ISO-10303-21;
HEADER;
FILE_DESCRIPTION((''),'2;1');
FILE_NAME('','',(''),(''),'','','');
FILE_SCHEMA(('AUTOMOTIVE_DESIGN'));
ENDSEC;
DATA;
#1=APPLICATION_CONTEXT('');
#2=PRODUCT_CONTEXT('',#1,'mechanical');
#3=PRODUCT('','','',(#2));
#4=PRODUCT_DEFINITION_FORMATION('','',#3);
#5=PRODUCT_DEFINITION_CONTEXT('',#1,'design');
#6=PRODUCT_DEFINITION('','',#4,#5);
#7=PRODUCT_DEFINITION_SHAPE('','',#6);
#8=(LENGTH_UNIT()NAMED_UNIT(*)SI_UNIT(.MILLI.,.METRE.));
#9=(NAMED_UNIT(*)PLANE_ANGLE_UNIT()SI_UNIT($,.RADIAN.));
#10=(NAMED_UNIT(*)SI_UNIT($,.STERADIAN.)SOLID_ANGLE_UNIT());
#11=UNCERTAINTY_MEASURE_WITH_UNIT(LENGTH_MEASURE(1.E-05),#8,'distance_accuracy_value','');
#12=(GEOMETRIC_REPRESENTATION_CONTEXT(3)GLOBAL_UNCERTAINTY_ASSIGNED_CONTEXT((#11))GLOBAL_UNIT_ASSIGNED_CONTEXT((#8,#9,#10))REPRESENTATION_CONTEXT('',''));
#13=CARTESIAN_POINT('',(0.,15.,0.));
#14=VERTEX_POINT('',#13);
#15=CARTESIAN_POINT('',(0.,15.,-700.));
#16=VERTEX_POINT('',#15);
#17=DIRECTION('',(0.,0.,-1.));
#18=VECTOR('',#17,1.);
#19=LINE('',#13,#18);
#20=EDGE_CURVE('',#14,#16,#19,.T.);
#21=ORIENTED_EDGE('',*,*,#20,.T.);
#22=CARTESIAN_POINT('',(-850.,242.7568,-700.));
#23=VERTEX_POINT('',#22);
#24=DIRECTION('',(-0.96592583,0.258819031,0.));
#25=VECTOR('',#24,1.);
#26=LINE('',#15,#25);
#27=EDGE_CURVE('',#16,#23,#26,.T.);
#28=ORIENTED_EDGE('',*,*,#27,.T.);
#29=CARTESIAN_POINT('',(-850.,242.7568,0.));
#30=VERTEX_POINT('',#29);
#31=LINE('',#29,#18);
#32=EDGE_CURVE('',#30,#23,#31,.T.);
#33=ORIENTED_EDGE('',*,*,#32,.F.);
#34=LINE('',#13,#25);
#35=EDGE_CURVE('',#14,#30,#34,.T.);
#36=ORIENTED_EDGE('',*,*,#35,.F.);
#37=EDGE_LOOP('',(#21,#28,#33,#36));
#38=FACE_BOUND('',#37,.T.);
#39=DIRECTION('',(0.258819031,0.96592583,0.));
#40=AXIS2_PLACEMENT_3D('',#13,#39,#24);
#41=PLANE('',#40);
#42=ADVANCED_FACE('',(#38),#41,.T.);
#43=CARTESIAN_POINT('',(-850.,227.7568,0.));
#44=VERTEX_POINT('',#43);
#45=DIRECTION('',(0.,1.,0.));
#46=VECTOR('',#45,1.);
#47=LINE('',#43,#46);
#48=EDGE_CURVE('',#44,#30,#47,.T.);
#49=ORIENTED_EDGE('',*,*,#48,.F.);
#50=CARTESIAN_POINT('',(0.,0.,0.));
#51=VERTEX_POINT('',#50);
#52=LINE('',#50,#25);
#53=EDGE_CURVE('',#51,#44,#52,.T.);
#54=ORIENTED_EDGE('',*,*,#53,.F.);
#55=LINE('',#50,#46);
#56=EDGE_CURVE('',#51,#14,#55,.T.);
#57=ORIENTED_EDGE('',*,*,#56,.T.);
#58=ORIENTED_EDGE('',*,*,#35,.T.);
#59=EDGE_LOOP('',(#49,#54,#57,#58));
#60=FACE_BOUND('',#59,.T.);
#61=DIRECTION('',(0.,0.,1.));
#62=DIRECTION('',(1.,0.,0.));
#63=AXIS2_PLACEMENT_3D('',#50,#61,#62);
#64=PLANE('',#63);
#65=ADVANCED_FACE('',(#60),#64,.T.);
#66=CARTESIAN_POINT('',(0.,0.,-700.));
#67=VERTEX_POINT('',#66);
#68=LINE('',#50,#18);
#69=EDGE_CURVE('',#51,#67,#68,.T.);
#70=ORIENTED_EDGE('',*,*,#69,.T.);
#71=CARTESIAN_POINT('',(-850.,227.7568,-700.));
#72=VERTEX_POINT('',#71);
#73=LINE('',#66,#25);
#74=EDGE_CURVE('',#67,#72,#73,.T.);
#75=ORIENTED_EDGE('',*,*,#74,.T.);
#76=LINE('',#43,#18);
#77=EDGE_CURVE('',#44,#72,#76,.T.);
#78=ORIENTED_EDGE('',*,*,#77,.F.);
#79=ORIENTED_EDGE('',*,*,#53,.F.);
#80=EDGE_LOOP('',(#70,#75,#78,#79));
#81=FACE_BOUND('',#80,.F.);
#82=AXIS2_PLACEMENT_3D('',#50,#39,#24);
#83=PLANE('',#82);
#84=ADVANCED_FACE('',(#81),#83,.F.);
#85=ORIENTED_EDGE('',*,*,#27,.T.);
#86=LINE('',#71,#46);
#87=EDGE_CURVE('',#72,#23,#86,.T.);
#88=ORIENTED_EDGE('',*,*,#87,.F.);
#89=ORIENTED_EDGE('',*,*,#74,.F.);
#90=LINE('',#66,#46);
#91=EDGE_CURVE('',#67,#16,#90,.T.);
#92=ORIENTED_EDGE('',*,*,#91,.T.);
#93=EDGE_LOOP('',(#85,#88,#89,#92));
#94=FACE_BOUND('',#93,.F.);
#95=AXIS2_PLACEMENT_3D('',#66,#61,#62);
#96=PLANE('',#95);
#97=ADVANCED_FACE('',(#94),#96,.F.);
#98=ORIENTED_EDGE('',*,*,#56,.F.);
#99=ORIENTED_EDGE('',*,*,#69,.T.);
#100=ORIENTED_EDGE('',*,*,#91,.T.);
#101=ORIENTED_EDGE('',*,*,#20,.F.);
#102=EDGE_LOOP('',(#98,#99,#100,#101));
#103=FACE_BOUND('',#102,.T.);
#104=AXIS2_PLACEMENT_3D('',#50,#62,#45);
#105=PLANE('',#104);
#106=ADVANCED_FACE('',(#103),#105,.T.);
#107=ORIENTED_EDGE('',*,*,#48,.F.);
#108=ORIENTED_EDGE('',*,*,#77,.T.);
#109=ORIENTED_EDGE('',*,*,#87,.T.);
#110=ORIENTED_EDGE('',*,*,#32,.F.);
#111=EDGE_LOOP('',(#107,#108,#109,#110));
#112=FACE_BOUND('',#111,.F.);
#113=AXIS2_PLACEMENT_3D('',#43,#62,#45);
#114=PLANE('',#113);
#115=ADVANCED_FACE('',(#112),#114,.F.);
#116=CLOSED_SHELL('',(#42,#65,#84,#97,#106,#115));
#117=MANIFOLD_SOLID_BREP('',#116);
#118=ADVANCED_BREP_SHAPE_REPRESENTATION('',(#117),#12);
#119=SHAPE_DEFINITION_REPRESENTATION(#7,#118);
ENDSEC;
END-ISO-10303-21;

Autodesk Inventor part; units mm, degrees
ref_plane "YZ Plane" through (0, 0, 0) normal (1, 0, 0) x (0, 1, 0)
ref_plane "XZ Plane" through (0, 0, 0) normal (0, 1, 0) x (-1, 0, 0)
ref_plane "XY Plane" through (0, 0, 0) normal (0, 0, 1) x (1, 0, 0)
sketch "스케치1" plane through (0, 0, 0) normal (0, 0, 1) x (1, 0, 0)
  line L0 (0, 0) -> (0, 15)
  line L1 (0, 0) -> (-850, 227.7568)
  line L2 (-12.9463, 0) -> (8.7754, 0)
  line L3 (0, 15) -> (-850, 242.7568)
  line L4 (-850, 227.7568) -> (-850, 242.7568)
  point P0 (-850, 235.2568)
  point P1 (-850, 242.7568)
  dimension "d0" = 15
  dimension "d1" = 15
  dimension "d2" = 850
extrude "돌출1" add sketch "스케치1" against normal blind 700
properties part number "부품2" material "SAN 플라스틱"
